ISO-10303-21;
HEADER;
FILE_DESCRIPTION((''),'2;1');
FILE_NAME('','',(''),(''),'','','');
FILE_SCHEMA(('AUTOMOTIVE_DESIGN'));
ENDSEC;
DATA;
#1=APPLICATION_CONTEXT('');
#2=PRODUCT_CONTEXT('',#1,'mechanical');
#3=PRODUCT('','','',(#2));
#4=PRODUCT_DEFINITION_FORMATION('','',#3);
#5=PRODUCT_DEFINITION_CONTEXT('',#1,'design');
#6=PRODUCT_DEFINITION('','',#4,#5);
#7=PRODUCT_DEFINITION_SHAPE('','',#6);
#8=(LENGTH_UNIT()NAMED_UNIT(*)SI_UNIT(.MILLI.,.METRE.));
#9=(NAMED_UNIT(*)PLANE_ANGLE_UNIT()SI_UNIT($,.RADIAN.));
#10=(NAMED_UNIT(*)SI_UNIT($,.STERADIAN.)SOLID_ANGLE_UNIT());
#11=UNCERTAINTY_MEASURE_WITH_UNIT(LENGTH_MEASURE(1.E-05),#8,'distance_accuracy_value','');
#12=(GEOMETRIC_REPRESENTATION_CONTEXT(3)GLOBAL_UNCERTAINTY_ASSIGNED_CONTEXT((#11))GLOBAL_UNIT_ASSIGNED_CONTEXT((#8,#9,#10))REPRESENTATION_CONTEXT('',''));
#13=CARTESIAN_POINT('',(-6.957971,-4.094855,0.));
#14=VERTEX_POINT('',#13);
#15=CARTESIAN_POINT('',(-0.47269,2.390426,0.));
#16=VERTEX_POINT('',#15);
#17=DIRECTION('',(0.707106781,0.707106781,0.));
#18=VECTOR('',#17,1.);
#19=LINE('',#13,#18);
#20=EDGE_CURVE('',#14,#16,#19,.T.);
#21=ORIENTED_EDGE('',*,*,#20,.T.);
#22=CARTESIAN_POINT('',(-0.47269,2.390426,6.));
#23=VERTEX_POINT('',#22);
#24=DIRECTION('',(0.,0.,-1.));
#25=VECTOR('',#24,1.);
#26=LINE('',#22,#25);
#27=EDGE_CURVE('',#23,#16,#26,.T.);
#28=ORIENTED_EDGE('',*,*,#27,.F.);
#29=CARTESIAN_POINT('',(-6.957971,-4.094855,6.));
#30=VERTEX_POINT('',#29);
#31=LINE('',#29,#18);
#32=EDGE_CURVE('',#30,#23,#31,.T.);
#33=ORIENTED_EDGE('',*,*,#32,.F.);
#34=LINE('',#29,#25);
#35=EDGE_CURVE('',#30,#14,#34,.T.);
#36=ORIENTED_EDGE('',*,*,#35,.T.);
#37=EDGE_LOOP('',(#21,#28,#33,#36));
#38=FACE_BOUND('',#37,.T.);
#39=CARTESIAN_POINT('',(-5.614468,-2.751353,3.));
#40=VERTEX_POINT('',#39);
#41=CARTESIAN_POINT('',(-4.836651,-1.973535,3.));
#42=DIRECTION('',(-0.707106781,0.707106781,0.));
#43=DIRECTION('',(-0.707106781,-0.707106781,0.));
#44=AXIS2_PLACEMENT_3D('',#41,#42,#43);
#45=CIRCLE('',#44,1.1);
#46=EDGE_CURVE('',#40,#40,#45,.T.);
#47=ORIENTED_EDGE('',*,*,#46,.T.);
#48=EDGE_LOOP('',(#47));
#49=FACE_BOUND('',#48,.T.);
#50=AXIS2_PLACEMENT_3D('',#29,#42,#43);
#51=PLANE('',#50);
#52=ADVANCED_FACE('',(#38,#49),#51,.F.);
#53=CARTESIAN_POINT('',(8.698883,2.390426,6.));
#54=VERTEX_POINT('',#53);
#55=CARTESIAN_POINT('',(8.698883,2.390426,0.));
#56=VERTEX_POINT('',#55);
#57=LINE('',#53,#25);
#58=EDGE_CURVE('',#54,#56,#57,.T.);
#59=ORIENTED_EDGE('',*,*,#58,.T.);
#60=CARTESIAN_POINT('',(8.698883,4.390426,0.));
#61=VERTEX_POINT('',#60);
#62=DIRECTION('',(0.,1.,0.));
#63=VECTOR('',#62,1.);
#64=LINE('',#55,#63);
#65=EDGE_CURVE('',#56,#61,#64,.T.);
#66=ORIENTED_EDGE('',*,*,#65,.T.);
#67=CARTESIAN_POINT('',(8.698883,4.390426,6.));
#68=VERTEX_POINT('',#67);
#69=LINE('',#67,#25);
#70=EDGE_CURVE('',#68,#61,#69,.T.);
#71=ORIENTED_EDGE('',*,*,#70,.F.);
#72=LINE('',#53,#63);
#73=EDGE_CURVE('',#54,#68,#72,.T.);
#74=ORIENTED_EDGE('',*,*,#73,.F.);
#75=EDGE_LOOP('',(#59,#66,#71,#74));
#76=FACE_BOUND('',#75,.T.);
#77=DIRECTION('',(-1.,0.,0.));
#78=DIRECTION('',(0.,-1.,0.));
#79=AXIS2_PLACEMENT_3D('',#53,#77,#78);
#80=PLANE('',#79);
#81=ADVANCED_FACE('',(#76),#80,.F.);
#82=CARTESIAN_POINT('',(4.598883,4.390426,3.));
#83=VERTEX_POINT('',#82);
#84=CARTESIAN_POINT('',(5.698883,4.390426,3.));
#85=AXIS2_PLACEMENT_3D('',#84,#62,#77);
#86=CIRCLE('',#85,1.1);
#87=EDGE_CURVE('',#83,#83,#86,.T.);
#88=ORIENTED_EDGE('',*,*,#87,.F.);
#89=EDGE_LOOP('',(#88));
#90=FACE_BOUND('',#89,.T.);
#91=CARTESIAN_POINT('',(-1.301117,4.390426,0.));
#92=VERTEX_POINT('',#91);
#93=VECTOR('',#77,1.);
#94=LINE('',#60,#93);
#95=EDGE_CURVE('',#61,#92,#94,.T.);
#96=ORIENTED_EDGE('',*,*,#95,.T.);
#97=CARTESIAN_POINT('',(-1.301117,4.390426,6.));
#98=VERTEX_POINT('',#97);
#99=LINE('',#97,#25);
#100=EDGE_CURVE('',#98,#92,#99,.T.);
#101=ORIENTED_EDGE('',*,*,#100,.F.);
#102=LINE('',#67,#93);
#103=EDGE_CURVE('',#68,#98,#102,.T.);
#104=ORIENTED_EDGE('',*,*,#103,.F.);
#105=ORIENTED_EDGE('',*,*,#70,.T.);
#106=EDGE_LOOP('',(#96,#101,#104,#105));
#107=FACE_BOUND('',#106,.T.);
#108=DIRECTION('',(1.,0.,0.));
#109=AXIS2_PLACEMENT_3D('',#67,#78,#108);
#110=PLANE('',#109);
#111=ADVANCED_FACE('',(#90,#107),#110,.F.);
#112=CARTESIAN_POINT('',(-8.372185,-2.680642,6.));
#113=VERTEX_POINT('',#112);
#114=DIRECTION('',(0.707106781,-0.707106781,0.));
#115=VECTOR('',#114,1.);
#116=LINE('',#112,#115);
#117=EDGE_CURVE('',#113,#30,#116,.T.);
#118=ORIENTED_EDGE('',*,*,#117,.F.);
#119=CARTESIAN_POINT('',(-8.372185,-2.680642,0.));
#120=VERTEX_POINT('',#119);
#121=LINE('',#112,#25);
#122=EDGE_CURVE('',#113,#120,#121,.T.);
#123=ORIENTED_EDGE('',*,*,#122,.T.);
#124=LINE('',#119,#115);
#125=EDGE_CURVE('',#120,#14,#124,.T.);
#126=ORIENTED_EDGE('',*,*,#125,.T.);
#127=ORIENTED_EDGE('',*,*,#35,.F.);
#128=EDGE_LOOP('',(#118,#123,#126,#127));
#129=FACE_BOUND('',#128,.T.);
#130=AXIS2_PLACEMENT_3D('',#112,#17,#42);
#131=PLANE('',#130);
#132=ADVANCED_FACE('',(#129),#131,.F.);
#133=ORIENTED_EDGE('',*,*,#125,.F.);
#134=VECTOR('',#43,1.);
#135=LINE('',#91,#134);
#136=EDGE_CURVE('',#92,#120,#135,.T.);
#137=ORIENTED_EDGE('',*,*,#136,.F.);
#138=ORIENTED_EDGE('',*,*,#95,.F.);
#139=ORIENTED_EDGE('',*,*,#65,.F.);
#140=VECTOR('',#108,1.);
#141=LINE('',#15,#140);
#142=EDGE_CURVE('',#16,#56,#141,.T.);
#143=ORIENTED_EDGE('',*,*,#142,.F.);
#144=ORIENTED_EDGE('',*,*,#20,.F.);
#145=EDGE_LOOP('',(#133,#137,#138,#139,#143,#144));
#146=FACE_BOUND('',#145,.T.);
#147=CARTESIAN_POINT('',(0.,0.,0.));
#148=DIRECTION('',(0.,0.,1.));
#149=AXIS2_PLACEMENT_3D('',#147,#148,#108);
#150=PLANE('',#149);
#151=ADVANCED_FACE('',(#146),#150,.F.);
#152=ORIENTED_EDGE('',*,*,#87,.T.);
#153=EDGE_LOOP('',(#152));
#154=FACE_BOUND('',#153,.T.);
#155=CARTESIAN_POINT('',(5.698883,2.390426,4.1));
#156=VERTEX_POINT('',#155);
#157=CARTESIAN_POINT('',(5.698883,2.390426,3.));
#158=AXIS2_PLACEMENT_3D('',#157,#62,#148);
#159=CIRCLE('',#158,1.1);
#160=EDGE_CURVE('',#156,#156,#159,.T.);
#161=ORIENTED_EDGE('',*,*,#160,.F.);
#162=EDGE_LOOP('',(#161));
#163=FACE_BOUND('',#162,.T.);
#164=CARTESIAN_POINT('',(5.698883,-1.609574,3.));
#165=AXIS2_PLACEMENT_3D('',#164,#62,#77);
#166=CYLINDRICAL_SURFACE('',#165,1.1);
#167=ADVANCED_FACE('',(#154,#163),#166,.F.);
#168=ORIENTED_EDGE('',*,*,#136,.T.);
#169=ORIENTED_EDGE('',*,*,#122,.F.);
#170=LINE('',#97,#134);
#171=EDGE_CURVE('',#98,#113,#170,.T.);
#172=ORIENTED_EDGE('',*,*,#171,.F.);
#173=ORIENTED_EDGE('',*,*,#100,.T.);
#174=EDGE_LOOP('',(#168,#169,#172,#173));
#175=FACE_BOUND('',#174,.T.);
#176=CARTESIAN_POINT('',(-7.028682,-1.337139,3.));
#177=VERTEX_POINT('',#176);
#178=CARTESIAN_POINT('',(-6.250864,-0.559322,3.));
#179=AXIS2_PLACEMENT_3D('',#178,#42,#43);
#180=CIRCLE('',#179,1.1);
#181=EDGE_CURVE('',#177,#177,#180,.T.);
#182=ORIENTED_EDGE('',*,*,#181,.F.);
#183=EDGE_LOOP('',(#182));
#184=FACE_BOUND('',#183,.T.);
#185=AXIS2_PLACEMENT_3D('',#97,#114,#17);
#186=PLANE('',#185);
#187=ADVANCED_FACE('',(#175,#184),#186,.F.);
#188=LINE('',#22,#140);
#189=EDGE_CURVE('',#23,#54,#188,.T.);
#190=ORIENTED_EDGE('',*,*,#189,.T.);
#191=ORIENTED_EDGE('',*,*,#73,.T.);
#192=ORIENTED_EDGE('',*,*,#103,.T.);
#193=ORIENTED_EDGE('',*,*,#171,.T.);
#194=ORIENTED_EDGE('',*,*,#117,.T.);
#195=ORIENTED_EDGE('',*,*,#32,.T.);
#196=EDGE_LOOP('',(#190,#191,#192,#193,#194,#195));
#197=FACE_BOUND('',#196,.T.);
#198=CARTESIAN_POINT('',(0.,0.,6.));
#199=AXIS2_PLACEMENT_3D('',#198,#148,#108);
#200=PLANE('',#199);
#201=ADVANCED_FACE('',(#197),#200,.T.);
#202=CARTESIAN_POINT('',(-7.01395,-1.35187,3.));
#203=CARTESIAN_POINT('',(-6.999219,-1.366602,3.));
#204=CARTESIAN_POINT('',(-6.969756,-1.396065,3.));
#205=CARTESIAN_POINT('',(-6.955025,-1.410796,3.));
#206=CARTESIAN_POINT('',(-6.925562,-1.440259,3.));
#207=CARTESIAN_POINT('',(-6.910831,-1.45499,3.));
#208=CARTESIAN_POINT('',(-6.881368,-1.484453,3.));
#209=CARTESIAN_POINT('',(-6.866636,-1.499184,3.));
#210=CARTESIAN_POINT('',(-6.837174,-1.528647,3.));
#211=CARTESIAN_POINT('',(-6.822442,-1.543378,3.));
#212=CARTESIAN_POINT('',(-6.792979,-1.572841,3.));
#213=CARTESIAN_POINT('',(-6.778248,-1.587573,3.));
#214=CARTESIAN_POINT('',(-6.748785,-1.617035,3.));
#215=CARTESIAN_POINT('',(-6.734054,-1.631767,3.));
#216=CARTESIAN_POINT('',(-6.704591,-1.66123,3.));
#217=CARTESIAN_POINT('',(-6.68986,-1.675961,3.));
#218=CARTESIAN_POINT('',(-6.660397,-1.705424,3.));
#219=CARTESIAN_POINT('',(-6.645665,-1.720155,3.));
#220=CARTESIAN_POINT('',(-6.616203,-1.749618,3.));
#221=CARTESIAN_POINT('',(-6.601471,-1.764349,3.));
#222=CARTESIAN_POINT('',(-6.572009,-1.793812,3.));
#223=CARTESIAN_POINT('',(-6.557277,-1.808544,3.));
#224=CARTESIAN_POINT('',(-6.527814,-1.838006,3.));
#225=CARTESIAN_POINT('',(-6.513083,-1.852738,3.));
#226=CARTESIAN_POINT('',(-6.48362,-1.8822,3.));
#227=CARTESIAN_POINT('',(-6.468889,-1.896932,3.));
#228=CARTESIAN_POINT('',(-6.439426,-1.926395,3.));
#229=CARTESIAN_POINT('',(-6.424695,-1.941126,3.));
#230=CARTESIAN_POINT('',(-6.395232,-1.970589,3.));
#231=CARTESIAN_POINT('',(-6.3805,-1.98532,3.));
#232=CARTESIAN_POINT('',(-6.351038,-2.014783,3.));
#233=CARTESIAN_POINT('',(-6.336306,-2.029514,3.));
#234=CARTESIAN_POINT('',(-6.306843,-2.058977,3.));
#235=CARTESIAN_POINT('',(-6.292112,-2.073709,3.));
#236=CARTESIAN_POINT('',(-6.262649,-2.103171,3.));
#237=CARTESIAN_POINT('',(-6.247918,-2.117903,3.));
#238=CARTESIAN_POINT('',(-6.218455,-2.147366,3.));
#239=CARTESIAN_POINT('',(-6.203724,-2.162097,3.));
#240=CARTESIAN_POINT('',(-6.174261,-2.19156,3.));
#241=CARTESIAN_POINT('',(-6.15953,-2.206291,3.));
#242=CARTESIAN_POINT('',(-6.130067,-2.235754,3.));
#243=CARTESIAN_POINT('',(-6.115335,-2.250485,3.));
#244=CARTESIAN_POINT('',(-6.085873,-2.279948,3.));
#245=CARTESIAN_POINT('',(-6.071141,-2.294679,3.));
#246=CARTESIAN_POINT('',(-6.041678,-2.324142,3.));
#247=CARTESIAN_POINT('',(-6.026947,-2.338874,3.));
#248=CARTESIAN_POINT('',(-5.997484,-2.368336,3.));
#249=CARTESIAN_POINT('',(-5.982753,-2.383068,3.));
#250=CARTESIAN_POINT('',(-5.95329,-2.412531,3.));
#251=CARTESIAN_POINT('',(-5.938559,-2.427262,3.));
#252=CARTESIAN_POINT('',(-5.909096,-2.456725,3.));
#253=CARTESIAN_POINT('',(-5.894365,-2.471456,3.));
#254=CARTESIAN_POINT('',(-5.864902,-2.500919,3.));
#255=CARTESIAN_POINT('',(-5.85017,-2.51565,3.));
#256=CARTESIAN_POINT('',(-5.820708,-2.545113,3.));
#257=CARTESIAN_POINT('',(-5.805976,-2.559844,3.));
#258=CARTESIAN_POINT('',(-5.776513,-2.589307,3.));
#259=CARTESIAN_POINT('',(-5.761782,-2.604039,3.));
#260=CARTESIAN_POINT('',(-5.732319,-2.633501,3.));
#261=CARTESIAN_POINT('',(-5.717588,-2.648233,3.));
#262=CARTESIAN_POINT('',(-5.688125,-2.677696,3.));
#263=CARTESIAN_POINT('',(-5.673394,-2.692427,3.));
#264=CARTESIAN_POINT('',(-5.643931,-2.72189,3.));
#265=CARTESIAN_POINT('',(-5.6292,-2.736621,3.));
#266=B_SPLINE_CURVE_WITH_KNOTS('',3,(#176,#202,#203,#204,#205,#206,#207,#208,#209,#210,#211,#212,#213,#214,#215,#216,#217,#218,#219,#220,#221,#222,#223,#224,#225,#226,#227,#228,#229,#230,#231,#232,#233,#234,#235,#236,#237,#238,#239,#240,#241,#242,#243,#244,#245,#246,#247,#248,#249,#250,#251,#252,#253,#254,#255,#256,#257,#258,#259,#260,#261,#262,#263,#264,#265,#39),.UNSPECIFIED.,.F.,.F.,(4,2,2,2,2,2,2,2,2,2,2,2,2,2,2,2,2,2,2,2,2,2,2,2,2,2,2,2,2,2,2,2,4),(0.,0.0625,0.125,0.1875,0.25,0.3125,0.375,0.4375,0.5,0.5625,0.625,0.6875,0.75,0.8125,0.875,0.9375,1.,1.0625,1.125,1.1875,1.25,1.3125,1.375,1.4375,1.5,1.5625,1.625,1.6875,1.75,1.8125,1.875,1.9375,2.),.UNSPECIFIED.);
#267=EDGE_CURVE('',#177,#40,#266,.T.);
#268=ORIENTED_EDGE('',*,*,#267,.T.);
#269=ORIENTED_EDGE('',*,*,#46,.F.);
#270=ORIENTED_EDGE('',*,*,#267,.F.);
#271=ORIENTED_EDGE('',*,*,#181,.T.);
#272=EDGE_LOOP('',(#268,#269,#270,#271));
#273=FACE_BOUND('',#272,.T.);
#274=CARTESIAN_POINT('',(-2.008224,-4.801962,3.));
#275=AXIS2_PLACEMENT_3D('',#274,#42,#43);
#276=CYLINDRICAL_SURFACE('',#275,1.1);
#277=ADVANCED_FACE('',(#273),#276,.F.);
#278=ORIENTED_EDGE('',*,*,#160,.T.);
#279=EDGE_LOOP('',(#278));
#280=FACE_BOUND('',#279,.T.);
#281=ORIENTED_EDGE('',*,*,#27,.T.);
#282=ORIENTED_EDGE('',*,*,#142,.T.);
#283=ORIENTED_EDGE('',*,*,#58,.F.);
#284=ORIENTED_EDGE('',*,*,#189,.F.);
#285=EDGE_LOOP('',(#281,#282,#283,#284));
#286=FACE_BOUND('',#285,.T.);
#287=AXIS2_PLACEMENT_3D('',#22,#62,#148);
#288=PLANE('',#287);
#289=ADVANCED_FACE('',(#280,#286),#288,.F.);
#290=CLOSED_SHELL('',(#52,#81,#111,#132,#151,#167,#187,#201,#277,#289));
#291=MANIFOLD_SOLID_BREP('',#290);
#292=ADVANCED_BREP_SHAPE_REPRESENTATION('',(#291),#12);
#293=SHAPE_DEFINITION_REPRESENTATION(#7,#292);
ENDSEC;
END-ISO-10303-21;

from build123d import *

# Parameters (mm, degrees)
BOSS_EXTRUDE1_DEPTH = 6
SKETCH2_R           = 1.1
CUT_EXTRUDE1_DEPTH  = 6
SKETCH3_R           = 1.1
CUT_EXTRUDE2_DEPTH  = 6


with BuildPart() as part:
    # Sketch1 → Boss-Extrude1 (new body)
    with BuildSketch(Plane.XY):
        Polygon((8.698883255, 4.390425939), (-1.301116745, 4.390425939), (-8.372184556, -2.680641873), (-6.957970994, -4.094855435), (-0.47268962, 2.390425939), (8.698883255, 2.390425939), align=None)
    extrude(amount=BOSS_EXTRUDE1_DEPTH)

    # Sketch2 → Cut-Extrude1 (cut)
    with BuildSketch(Plane(origin=(0, 4.390425939, 0), x_dir=(1, 0, 0), z_dir=(0, 1, 0))):
        with Locations(Location((5.698883255, -3, 0), (0, 0, 180))):
            Circle(SKETCH2_R)
    extrude(amount=-CUT_EXTRUDE1_DEPTH, mode=Mode.SUBTRACT)

    # Sketch3 → Cut-Extrude2 (cut)
    with BuildSketch(Plane(origin=(-2.845771342, 2.845771342, 0), x_dir=(0, 0, 1), z_dir=(-0.7071067811865489, 0.7071067811865461, 0))):
        with Locations(Location((3, -4.81552852, 0), (0, 0, 270))):
            Circle(SKETCH3_R)
    extrude(amount=-CUT_EXTRUDE2_DEPTH, mode=Mode.SUBTRACT)


solid = part.part
